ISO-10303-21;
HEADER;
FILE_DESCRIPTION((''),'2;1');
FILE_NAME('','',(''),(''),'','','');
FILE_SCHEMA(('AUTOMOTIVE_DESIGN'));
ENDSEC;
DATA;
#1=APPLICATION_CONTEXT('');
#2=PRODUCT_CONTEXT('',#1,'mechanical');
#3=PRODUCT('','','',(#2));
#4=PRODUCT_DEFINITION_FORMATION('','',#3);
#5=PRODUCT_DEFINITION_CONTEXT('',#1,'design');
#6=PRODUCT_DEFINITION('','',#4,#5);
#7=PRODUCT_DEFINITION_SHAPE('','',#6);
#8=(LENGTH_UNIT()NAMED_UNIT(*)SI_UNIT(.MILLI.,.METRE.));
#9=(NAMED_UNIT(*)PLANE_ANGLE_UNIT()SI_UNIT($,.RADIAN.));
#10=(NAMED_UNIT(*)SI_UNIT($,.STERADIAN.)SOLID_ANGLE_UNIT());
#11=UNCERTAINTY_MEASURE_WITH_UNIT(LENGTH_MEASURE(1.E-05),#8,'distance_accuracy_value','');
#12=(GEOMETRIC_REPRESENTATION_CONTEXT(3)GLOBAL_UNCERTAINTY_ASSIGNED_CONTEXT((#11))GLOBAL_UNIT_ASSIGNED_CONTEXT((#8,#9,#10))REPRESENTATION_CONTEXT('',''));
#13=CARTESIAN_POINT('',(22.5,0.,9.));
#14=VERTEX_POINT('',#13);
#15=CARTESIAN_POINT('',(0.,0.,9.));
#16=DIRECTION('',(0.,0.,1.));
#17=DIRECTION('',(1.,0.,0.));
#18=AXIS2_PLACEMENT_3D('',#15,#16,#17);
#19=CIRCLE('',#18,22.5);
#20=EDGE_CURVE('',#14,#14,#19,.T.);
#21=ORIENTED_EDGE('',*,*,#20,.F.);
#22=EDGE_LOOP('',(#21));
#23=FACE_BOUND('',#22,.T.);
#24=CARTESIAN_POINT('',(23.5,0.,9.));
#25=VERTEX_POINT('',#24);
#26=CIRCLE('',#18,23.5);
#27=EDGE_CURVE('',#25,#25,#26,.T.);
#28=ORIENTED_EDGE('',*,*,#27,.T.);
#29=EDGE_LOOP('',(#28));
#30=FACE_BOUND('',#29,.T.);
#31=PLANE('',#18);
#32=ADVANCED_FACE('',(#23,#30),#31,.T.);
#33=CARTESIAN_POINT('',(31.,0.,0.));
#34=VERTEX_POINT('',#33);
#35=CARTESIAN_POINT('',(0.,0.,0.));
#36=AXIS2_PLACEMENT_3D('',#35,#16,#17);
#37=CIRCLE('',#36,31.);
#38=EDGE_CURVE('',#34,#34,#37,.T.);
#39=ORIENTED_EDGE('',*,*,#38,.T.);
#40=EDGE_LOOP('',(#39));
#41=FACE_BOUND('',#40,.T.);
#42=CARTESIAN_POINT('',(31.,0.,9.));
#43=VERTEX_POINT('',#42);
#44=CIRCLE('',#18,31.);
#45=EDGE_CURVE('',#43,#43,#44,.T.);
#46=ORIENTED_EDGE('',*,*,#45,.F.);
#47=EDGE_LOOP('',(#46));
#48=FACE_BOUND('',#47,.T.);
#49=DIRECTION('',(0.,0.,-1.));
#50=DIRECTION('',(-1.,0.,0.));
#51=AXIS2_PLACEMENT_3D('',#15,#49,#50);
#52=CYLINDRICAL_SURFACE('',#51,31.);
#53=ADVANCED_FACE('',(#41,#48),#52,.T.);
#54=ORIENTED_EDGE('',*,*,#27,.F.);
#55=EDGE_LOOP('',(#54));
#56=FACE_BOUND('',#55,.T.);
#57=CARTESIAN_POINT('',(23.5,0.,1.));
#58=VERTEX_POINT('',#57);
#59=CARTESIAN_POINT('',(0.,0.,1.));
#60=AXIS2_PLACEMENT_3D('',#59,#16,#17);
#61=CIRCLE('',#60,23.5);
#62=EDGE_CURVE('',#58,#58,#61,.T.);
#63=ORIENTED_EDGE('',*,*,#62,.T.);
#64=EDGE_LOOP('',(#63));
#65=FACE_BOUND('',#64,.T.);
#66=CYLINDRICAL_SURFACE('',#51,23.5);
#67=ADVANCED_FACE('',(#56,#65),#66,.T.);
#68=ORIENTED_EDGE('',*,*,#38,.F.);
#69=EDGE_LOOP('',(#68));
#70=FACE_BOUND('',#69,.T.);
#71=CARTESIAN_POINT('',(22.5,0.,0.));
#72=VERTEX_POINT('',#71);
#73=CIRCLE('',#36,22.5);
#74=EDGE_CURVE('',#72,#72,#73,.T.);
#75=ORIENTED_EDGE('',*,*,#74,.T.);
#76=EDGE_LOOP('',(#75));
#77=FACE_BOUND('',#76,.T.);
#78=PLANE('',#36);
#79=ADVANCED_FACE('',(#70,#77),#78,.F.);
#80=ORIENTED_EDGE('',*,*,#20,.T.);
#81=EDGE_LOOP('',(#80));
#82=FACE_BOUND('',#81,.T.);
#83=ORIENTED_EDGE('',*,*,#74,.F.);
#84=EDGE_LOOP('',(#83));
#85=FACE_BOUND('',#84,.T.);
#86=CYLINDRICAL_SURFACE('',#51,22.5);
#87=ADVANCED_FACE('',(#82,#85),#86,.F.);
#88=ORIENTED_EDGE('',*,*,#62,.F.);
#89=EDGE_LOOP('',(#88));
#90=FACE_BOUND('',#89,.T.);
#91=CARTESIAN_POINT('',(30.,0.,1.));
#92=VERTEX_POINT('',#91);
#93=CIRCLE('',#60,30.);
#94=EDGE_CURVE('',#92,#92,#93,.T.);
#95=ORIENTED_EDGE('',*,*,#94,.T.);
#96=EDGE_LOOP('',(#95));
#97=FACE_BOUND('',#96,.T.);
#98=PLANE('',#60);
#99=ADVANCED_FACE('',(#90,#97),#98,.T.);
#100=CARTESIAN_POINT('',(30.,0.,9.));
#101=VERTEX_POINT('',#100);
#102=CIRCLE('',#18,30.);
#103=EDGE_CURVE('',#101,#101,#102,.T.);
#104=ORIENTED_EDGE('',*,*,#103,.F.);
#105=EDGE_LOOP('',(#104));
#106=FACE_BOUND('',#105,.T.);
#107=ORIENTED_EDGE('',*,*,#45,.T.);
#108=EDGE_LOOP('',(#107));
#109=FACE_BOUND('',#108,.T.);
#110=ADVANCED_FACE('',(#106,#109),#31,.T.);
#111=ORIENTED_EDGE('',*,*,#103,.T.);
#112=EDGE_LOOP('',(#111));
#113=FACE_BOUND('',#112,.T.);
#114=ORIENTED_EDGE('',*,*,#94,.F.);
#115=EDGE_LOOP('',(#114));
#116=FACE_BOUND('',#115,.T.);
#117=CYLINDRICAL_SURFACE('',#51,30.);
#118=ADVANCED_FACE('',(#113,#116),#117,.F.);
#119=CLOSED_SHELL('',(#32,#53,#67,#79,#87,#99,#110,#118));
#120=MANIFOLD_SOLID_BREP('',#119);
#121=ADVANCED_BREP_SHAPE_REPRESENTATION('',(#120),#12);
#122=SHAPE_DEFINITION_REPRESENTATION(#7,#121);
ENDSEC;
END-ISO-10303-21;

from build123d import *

# Parameters (mm, degrees)
SKETCH_1_R      = 31
SKETCH_1_R_2    = 22.5
EXTRUDE_1_DEPTH = 9
SHELL_1_T       = -1


with BuildPart() as part:
    # 草图1 → 凸台-拉伸1 (new body)
    with BuildSketch(Plane.XY):
        Circle(SKETCH_1_R)
        Circle(SKETCH_1_R_2, mode=Mode.SUBTRACT)
    extrude(amount=EXTRUDE_1_DEPTH)

    # 抽壳1
    shell_1_openings = [part.faces().sort_by_distance(p)[0] for p in [
        (-30.123187591, 0, 9),
    ]]
    offset(amount=SHELL_1_T, openings=shell_1_openings, kind=Kind.INTERSECTION)


solid = part.part
